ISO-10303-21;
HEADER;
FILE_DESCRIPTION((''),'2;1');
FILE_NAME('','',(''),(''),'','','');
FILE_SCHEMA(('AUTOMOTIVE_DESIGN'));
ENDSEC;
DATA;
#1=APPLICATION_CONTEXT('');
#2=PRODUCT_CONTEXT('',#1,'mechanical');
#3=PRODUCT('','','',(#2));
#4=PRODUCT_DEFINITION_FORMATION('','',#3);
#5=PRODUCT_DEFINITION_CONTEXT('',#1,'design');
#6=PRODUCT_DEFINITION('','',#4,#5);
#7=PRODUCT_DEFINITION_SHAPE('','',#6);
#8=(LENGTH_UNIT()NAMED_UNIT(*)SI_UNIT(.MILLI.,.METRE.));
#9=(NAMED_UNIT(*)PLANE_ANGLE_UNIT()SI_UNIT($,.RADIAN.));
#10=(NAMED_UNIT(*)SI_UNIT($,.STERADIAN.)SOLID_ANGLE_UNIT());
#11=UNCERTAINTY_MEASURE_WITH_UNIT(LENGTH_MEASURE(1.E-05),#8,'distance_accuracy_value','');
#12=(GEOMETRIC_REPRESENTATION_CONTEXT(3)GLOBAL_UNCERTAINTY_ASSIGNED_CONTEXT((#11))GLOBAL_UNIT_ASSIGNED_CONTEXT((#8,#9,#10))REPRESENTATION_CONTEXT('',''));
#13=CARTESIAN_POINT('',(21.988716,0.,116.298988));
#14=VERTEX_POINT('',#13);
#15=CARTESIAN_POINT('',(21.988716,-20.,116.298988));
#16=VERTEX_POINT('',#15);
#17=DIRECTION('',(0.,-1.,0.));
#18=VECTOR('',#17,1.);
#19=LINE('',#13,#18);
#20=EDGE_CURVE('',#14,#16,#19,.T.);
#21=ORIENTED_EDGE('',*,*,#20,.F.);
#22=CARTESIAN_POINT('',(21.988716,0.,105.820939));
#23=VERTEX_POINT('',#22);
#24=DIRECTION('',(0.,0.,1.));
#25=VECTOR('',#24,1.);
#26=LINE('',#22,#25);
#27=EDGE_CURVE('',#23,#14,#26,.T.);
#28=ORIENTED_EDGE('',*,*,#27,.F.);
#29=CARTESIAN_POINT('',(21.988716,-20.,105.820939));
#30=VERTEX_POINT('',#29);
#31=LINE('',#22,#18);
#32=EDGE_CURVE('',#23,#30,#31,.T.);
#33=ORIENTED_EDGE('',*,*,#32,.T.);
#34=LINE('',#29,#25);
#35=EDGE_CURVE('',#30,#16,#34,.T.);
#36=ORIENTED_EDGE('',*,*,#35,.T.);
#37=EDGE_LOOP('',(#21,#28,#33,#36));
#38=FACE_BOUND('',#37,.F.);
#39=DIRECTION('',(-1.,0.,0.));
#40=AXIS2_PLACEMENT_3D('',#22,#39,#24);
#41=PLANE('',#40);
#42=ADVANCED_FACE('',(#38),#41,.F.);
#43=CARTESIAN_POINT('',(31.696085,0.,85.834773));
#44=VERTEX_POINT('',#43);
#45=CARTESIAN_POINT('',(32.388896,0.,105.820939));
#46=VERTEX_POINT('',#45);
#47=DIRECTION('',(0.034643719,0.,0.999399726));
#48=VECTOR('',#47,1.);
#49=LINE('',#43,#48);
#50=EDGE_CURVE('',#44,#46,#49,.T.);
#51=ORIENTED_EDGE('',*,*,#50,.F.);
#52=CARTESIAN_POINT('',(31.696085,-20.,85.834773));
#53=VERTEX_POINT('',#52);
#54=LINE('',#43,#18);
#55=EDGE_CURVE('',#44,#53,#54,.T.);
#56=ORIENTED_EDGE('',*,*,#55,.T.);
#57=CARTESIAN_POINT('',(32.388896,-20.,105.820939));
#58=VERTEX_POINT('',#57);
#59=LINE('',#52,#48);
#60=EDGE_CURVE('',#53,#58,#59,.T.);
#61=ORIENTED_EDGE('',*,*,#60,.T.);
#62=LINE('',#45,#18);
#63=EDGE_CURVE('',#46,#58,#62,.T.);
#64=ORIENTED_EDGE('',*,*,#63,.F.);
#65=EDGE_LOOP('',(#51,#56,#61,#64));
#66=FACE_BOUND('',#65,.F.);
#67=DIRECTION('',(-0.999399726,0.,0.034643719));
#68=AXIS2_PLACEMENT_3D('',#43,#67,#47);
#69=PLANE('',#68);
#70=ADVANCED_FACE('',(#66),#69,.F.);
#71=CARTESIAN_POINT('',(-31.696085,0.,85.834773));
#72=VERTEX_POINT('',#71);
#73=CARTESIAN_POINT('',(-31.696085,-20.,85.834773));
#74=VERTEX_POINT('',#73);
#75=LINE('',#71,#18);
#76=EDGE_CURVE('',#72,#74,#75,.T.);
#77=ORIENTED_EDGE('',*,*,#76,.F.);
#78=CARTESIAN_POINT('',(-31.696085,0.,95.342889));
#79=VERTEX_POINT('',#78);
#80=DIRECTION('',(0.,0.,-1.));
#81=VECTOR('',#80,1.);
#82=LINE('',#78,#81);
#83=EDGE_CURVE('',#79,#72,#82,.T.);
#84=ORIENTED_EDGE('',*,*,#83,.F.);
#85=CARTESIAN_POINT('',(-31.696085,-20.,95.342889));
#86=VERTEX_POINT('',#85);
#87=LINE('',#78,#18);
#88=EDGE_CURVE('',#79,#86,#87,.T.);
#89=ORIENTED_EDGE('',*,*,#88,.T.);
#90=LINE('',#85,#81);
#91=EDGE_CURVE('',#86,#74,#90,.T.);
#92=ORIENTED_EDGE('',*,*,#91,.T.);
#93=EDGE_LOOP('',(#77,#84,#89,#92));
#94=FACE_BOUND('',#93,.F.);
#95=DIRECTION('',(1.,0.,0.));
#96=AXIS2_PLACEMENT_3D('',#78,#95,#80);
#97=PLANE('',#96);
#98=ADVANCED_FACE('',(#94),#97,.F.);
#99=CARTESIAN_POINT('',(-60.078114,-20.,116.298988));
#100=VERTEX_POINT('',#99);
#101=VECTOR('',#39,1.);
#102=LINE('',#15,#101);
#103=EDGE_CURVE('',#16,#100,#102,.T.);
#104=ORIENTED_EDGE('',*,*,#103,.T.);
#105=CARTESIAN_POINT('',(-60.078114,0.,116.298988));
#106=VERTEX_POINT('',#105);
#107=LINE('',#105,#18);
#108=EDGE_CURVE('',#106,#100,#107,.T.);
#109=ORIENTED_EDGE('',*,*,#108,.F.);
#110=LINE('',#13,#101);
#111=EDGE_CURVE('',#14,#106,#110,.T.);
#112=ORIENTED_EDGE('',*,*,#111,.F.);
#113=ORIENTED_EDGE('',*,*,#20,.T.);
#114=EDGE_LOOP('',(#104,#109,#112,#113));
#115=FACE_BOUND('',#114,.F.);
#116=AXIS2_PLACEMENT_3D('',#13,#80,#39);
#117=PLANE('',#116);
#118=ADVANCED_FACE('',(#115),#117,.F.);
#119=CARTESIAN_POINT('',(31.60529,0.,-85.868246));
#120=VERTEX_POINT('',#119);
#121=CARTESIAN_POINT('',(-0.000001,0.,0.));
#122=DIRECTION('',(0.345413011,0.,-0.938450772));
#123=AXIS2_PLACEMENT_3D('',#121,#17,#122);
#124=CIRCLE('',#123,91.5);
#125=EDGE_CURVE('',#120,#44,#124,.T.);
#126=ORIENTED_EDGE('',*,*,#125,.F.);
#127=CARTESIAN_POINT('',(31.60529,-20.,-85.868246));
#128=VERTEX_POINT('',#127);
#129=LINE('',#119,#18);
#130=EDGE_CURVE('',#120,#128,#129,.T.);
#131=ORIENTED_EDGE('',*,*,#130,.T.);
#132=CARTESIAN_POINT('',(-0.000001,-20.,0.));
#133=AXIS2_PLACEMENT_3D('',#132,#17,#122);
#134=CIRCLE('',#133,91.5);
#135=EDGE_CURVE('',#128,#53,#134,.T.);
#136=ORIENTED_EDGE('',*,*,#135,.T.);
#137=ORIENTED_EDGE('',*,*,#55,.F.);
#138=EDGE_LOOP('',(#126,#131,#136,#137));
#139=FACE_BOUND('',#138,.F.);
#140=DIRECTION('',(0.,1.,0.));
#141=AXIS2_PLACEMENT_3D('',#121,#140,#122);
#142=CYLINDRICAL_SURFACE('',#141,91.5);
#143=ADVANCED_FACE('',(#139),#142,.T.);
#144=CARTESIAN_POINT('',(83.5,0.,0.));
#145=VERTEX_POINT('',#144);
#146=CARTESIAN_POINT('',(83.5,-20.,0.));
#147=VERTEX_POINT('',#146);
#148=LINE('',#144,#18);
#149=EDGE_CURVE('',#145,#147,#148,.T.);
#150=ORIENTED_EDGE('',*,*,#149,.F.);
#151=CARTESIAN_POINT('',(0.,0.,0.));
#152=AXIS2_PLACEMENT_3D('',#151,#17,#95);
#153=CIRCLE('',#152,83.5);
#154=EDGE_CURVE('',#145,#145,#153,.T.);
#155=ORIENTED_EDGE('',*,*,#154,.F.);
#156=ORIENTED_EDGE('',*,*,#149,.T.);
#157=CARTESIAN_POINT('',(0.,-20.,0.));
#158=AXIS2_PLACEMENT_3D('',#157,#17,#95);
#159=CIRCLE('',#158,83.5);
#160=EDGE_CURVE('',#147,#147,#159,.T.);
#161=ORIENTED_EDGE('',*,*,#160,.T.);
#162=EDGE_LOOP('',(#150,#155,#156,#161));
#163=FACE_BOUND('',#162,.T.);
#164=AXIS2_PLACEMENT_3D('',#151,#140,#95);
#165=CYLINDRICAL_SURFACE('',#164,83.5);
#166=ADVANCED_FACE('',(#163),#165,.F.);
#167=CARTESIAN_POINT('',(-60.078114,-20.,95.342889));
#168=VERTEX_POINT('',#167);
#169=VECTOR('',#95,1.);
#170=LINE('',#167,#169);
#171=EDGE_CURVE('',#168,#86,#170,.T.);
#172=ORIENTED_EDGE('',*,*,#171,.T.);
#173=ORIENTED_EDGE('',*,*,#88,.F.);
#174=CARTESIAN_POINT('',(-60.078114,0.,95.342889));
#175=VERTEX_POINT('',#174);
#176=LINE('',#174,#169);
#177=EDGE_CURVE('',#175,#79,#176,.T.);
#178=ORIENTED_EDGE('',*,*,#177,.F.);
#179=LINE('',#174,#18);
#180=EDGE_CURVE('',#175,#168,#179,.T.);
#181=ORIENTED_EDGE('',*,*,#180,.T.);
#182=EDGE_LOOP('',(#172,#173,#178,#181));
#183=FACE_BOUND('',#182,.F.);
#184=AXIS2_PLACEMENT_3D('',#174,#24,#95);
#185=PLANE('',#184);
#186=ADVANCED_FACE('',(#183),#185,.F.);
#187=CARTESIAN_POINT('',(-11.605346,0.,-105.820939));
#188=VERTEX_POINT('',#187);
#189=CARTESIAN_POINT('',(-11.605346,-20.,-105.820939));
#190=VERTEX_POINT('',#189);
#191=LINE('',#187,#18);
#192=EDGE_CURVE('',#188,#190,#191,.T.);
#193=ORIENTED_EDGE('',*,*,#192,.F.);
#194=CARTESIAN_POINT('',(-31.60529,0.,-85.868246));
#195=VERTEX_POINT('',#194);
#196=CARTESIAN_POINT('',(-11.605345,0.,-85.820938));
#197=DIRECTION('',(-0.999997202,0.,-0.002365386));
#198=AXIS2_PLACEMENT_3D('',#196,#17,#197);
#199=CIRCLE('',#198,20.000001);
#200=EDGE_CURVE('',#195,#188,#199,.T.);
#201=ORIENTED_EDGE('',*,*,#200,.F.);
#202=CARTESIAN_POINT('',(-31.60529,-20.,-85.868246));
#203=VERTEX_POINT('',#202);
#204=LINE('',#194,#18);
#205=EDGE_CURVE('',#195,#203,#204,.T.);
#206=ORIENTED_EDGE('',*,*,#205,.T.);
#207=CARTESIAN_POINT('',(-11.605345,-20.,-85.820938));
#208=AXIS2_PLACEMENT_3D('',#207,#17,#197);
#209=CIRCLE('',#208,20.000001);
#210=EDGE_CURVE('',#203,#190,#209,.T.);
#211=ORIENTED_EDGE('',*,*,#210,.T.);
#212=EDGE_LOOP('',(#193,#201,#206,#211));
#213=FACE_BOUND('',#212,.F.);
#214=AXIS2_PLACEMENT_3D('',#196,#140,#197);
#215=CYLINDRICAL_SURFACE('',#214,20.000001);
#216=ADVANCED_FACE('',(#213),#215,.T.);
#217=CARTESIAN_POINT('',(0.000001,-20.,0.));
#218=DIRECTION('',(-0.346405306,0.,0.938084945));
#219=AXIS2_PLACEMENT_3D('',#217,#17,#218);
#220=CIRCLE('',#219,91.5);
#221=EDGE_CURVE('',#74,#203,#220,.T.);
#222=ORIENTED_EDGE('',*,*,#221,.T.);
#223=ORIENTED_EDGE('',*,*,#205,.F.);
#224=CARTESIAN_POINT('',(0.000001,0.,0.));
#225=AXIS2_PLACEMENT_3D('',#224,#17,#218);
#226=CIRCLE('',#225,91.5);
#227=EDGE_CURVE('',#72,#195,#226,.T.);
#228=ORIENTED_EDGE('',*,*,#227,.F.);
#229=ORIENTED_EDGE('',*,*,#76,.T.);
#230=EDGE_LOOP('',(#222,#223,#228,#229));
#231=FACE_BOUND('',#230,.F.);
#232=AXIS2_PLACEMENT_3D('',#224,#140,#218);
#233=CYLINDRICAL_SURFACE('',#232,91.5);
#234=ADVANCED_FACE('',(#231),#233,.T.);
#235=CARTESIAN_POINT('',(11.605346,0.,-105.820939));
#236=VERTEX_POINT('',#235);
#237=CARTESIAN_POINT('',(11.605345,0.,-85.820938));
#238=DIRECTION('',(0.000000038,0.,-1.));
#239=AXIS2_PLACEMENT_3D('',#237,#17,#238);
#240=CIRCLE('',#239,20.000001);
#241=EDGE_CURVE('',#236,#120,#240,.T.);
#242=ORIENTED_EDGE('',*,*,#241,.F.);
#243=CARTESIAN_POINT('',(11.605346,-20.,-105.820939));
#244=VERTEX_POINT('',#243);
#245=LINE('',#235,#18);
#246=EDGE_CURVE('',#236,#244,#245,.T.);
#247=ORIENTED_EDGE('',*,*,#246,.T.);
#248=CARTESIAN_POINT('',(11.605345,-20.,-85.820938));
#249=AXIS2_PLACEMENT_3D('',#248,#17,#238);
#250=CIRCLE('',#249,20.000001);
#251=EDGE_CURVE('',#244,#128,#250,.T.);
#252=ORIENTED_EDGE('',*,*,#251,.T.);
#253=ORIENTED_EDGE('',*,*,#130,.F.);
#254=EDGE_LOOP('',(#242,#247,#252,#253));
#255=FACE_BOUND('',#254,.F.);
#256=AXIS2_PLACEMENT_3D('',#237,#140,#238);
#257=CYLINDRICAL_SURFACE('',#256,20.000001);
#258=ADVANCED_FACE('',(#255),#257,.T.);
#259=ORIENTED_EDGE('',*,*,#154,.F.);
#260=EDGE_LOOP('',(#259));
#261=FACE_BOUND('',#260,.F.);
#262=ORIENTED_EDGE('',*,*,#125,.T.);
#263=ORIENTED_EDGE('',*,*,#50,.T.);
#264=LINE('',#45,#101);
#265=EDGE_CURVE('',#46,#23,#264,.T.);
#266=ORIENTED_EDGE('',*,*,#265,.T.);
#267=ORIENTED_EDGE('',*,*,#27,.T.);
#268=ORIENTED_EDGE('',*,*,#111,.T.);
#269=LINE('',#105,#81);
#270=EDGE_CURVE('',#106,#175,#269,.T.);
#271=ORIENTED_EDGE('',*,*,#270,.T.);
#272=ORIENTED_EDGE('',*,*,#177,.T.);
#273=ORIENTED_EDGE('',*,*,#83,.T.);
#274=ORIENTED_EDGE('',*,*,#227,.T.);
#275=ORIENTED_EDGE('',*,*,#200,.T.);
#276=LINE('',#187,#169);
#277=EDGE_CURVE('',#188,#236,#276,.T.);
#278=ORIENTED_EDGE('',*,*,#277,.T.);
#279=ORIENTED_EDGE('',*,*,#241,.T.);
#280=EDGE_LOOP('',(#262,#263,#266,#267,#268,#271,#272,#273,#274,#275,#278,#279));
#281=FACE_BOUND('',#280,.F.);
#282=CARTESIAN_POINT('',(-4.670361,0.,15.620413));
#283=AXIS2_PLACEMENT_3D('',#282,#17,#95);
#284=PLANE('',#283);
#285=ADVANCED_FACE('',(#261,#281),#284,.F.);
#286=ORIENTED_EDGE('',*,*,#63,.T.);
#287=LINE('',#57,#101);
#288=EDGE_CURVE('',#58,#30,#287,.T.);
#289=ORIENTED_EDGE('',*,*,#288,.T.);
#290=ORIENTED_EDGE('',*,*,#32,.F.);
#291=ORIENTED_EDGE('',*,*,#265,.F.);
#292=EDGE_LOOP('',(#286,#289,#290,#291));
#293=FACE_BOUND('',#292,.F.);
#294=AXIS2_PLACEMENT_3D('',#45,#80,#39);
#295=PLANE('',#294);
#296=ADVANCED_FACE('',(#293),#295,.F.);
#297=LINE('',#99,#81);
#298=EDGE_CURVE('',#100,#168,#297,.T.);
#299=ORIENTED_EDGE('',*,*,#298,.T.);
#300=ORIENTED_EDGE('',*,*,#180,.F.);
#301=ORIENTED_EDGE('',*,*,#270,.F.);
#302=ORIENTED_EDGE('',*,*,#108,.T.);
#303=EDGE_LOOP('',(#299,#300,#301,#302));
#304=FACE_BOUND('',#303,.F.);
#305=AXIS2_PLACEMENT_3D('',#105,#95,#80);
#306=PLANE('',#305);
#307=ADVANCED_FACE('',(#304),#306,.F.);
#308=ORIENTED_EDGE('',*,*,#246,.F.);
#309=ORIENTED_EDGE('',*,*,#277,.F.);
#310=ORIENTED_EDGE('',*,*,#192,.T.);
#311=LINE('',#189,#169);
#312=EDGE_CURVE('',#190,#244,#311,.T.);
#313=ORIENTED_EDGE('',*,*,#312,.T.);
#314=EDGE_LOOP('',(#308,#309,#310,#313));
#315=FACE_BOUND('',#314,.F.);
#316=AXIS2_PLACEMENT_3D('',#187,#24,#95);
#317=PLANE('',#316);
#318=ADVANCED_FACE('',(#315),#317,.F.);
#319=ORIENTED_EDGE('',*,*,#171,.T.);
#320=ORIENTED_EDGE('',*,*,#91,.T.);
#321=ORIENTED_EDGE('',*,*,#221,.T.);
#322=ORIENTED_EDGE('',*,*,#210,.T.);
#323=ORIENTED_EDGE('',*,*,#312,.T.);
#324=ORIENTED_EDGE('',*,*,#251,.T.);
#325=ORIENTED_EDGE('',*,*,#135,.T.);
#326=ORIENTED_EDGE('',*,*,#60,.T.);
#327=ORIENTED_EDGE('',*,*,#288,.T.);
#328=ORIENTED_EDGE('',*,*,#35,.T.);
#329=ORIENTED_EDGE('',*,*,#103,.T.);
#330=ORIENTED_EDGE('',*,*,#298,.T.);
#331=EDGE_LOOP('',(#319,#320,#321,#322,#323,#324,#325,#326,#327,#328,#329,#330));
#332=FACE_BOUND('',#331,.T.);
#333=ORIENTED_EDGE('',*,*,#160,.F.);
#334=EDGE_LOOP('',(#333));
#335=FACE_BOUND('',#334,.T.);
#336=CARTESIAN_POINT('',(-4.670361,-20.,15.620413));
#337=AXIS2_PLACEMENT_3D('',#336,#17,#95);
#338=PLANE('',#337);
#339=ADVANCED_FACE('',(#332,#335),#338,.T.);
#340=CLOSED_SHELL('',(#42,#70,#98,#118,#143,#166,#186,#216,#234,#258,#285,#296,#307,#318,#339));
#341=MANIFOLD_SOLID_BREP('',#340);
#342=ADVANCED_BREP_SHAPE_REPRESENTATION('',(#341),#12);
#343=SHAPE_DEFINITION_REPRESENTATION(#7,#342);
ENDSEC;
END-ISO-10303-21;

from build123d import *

# Parameters (mm, degrees)
F0_R     = 83.5
F1_DEPTH = 20


with BuildPart() as f1:
    # F0 (on Front) → F1 (new body)
    with BuildSketch(Plane.XZ):
        with BuildLine():
            ThreePointArc((-31.60529, -85.868246), (-25.730746, -99.97979), (-11.605346, -105.820939))
            Line((-11.605346, -105.820939), (11.605346, -105.820939))
            ThreePointArc((11.605346, -105.820939), (25.730746, -99.97979), (31.60529, -85.868246))
            ThreePointArc((31.60529, -85.868246), (91.499987, -0.048384), (31.696085, 85.834773))
            Line((31.696085, 85.834773), (32.388896, 105.820939))
            Line((32.388896, 105.820939), (21.988716, 105.820939))
            Line((21.988716, 105.820939), (21.988716, 116.298988))
            Line((21.988716, 116.298988), (-60.078114, 116.298988))
            Line((-60.078114, 116.298988), (-60.078114, 95.342889))
            Line((-60.078114, 95.342889), (-31.696085, 95.342889))
            Line((-31.696085, 95.342889), (-31.696085, 85.834773))
            ThreePointArc((-31.696085, 85.834773), (-91.499987, -0.048384), (-31.60529, -85.868246))
        make_face()
        Circle(F0_R, mode=Mode.SUBTRACT)
    extrude(amount=F1_DEPTH)


solid = f1.part
